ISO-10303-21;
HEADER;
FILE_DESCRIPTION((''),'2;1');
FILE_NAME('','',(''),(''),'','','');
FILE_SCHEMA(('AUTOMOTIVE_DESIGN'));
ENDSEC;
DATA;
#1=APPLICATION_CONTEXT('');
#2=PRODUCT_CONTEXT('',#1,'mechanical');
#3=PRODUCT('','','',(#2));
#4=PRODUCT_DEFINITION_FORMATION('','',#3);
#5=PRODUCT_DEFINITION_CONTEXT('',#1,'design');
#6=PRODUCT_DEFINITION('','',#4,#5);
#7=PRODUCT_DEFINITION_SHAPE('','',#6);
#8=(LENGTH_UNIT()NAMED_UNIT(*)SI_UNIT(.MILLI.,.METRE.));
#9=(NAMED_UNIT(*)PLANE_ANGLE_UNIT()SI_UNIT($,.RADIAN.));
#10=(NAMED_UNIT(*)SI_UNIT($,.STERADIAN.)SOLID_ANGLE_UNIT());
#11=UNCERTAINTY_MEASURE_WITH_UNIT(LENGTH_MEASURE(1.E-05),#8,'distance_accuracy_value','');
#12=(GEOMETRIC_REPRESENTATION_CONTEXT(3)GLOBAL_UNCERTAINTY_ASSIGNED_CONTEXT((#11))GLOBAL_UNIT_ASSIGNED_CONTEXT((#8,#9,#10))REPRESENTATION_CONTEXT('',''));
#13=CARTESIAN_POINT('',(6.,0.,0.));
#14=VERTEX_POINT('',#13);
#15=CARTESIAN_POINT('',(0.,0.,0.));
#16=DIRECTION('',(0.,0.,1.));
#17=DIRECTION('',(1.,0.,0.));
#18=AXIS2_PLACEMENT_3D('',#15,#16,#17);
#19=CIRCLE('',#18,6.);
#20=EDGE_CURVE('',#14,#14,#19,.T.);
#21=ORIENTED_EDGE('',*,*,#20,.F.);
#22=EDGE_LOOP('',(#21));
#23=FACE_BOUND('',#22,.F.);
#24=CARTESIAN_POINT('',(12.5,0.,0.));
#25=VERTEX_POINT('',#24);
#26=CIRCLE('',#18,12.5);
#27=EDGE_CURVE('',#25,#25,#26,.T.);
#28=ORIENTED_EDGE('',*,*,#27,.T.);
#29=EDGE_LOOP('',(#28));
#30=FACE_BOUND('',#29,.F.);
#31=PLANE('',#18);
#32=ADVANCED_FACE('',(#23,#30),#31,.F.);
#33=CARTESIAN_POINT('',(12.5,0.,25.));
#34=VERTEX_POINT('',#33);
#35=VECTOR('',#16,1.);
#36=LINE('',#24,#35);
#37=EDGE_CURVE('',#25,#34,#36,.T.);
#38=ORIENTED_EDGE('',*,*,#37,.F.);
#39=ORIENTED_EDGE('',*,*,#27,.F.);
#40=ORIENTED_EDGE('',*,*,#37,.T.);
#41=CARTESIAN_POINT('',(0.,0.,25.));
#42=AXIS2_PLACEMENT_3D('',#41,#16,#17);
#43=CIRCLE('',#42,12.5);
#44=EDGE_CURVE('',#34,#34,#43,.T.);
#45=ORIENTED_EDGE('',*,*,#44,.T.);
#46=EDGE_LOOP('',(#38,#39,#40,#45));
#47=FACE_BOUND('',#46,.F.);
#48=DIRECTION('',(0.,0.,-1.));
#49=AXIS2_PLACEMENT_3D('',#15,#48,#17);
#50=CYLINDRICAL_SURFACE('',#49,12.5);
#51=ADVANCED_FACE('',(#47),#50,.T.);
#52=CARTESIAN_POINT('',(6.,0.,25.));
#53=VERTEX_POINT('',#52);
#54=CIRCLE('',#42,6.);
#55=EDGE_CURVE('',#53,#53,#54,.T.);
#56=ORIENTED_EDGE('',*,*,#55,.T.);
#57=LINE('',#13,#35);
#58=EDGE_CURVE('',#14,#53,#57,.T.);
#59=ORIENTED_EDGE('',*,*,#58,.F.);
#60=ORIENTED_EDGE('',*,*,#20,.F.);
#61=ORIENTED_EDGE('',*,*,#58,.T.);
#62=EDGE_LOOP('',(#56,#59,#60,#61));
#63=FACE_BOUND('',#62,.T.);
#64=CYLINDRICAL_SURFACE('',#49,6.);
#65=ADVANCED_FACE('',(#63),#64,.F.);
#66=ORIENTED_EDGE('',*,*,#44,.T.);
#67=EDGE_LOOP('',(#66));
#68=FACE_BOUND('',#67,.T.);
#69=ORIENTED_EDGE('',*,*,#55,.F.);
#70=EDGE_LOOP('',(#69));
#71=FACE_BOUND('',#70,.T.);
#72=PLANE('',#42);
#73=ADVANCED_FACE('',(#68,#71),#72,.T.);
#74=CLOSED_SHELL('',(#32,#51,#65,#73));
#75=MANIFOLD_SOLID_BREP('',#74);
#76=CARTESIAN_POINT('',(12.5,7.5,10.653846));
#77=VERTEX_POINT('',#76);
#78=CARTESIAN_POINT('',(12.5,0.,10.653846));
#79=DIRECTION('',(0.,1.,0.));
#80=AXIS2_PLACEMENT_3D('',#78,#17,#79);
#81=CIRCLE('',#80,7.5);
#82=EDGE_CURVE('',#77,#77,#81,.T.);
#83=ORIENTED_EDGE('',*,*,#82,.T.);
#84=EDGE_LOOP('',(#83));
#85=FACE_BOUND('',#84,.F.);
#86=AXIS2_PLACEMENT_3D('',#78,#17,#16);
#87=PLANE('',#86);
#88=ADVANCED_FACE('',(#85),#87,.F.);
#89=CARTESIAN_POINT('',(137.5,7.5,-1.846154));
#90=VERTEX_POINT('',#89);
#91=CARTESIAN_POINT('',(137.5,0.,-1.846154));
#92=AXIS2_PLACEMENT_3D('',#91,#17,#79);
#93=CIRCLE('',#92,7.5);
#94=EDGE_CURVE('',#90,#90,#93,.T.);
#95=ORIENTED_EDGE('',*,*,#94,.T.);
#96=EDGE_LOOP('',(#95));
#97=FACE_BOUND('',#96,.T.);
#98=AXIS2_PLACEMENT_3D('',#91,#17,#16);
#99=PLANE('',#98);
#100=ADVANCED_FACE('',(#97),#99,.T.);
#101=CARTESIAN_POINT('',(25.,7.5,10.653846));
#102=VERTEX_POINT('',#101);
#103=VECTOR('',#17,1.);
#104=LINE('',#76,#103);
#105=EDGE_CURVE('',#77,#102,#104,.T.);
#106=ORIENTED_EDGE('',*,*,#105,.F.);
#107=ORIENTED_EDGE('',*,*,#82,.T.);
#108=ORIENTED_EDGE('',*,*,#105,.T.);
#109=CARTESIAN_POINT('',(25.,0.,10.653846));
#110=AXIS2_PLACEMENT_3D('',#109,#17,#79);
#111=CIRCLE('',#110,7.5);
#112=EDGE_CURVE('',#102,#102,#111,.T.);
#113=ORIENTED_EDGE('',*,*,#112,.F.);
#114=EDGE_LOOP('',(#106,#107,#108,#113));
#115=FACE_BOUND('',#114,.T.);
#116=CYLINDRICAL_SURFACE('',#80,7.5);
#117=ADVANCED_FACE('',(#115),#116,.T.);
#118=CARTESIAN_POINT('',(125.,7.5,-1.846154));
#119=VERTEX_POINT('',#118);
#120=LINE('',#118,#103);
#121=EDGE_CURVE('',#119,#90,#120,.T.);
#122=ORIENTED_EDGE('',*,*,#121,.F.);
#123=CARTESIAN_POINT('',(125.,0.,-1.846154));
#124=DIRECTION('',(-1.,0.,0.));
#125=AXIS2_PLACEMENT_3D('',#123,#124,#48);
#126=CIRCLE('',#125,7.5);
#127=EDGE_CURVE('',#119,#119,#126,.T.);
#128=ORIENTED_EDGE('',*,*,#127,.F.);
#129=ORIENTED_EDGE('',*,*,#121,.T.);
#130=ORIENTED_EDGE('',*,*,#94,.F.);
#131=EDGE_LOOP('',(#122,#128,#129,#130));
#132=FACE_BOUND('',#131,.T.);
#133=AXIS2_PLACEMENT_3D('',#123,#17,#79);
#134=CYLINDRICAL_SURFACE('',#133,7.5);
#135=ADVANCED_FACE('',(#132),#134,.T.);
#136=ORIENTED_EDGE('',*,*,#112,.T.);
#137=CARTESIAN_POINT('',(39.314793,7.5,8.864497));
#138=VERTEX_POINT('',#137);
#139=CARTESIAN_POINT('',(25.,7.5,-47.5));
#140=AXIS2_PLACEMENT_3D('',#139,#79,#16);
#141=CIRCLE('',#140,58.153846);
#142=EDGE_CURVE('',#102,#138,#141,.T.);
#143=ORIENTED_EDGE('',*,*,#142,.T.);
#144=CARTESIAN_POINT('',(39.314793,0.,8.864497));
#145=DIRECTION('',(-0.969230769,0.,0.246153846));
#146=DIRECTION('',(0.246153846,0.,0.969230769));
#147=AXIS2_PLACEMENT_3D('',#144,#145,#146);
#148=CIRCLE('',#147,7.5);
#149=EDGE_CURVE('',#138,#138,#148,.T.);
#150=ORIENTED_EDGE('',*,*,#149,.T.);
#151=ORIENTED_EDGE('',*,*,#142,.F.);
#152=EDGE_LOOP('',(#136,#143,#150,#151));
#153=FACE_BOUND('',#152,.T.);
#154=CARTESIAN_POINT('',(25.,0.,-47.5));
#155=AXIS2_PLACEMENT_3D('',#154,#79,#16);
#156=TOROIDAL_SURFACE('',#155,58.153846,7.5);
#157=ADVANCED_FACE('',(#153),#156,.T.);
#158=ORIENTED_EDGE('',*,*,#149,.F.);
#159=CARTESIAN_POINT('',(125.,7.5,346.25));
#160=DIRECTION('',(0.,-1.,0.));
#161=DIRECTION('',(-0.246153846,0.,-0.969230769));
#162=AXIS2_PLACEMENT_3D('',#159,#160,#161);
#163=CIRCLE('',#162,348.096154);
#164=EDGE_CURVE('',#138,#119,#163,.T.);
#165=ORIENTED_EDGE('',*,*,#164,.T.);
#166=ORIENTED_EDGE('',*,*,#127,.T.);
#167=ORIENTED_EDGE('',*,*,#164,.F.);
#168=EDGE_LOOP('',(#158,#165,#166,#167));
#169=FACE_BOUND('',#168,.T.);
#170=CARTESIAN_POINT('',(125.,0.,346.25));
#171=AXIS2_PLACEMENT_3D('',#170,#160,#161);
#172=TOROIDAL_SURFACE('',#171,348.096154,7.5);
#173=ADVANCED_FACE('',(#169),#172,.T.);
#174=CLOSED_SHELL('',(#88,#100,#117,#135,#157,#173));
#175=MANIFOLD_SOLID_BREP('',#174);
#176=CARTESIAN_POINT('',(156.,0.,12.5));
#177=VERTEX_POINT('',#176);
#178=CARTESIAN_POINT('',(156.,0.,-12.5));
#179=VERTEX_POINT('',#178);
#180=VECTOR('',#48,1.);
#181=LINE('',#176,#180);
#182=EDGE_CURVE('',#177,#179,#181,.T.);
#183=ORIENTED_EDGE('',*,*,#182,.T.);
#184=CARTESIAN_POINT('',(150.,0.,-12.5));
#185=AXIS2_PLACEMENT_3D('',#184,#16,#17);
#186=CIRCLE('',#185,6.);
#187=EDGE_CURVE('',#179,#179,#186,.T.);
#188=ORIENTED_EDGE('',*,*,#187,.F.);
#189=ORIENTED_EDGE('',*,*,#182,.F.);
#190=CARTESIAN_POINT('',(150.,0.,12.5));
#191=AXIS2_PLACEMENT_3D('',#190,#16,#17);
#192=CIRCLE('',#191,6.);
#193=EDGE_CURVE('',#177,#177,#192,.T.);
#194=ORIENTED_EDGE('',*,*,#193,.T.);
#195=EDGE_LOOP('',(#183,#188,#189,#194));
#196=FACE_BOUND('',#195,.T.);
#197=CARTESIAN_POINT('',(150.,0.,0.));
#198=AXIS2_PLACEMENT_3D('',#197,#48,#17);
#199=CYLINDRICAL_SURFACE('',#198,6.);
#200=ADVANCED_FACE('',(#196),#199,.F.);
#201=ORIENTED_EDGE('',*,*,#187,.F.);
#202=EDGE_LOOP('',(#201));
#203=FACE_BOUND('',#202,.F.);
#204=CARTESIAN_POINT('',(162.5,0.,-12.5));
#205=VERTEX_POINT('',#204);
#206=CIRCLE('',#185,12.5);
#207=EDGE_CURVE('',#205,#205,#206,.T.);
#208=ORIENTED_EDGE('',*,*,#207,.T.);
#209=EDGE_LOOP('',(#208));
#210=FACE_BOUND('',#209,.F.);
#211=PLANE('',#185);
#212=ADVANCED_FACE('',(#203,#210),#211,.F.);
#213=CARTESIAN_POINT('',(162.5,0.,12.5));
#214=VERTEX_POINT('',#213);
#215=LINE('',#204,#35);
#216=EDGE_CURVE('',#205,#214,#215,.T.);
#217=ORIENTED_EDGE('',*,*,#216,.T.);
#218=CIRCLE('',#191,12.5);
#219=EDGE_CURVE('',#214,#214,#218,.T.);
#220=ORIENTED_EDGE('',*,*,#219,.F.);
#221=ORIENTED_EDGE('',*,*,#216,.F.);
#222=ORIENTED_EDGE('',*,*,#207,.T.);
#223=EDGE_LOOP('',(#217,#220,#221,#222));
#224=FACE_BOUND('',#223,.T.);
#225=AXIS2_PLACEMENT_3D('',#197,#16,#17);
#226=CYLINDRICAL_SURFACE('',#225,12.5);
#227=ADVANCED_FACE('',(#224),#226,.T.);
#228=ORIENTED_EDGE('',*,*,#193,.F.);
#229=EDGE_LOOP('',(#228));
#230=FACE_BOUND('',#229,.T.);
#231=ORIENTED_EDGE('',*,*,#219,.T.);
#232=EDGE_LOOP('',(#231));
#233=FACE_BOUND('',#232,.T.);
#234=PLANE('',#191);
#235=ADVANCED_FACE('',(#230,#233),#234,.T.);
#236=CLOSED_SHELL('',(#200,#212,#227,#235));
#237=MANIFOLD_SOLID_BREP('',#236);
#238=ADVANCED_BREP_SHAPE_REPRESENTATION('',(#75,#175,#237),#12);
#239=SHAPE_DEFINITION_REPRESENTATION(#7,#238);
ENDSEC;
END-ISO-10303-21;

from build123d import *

# Parameters (mm, degrees)
F0_R     = 12.5
F0_R_2   = 6
F1_DEPTH = 25
F2_R     = 12.5
F2_R_2   = 6
F3_DEPTH = 12.5
F6_R     = 7.5


with BuildPart() as f1:
    # F0 (on Top) → F1 (new body)
    with BuildSketch(Plane.XY):
        Circle(F0_R)
        Circle(F0_R_2, mode=Mode.SUBTRACT)
    extrude(amount=F1_DEPTH)


with BuildPart() as f3:
    # F2 (on Top) → F3 (new body, symmetric)
    with BuildSketch(Plane.XY):
        with Locations((150, 0)):
            Circle(F2_R)
        with Locations((150, 0)):
            Circle(F2_R_2, mode=Mode.SUBTRACT)
    extrude(amount=F3_DEPTH, both=True)


with BuildPart() as f7:
    # F7: sweep along a path in F4
    with BuildLine(Plane.XZ) as f7_path:
        Line((12.5, 12.5), (25, 12.5))
        ThreePointArc((25, 12.5), (32.4420840754, 12.0366726028), (39.7692307692, 10.6538461538))
        ThreePointArc((39.7692307692, 10.6538461538), (82.0529731485, 2.6737851879), (125, 0))
        Line((125, 0), (137.5, 0))
    # F6 (on offset) → F7 (sweep)
    with BuildSketch(Plane.YZ.offset(12.5)):
        with Locations((0, 10.6538461538)):
            Circle(F6_R)
    sweep(path=f7_path.line)


solid = Compound([f1.part, f3.part, f7.part])
